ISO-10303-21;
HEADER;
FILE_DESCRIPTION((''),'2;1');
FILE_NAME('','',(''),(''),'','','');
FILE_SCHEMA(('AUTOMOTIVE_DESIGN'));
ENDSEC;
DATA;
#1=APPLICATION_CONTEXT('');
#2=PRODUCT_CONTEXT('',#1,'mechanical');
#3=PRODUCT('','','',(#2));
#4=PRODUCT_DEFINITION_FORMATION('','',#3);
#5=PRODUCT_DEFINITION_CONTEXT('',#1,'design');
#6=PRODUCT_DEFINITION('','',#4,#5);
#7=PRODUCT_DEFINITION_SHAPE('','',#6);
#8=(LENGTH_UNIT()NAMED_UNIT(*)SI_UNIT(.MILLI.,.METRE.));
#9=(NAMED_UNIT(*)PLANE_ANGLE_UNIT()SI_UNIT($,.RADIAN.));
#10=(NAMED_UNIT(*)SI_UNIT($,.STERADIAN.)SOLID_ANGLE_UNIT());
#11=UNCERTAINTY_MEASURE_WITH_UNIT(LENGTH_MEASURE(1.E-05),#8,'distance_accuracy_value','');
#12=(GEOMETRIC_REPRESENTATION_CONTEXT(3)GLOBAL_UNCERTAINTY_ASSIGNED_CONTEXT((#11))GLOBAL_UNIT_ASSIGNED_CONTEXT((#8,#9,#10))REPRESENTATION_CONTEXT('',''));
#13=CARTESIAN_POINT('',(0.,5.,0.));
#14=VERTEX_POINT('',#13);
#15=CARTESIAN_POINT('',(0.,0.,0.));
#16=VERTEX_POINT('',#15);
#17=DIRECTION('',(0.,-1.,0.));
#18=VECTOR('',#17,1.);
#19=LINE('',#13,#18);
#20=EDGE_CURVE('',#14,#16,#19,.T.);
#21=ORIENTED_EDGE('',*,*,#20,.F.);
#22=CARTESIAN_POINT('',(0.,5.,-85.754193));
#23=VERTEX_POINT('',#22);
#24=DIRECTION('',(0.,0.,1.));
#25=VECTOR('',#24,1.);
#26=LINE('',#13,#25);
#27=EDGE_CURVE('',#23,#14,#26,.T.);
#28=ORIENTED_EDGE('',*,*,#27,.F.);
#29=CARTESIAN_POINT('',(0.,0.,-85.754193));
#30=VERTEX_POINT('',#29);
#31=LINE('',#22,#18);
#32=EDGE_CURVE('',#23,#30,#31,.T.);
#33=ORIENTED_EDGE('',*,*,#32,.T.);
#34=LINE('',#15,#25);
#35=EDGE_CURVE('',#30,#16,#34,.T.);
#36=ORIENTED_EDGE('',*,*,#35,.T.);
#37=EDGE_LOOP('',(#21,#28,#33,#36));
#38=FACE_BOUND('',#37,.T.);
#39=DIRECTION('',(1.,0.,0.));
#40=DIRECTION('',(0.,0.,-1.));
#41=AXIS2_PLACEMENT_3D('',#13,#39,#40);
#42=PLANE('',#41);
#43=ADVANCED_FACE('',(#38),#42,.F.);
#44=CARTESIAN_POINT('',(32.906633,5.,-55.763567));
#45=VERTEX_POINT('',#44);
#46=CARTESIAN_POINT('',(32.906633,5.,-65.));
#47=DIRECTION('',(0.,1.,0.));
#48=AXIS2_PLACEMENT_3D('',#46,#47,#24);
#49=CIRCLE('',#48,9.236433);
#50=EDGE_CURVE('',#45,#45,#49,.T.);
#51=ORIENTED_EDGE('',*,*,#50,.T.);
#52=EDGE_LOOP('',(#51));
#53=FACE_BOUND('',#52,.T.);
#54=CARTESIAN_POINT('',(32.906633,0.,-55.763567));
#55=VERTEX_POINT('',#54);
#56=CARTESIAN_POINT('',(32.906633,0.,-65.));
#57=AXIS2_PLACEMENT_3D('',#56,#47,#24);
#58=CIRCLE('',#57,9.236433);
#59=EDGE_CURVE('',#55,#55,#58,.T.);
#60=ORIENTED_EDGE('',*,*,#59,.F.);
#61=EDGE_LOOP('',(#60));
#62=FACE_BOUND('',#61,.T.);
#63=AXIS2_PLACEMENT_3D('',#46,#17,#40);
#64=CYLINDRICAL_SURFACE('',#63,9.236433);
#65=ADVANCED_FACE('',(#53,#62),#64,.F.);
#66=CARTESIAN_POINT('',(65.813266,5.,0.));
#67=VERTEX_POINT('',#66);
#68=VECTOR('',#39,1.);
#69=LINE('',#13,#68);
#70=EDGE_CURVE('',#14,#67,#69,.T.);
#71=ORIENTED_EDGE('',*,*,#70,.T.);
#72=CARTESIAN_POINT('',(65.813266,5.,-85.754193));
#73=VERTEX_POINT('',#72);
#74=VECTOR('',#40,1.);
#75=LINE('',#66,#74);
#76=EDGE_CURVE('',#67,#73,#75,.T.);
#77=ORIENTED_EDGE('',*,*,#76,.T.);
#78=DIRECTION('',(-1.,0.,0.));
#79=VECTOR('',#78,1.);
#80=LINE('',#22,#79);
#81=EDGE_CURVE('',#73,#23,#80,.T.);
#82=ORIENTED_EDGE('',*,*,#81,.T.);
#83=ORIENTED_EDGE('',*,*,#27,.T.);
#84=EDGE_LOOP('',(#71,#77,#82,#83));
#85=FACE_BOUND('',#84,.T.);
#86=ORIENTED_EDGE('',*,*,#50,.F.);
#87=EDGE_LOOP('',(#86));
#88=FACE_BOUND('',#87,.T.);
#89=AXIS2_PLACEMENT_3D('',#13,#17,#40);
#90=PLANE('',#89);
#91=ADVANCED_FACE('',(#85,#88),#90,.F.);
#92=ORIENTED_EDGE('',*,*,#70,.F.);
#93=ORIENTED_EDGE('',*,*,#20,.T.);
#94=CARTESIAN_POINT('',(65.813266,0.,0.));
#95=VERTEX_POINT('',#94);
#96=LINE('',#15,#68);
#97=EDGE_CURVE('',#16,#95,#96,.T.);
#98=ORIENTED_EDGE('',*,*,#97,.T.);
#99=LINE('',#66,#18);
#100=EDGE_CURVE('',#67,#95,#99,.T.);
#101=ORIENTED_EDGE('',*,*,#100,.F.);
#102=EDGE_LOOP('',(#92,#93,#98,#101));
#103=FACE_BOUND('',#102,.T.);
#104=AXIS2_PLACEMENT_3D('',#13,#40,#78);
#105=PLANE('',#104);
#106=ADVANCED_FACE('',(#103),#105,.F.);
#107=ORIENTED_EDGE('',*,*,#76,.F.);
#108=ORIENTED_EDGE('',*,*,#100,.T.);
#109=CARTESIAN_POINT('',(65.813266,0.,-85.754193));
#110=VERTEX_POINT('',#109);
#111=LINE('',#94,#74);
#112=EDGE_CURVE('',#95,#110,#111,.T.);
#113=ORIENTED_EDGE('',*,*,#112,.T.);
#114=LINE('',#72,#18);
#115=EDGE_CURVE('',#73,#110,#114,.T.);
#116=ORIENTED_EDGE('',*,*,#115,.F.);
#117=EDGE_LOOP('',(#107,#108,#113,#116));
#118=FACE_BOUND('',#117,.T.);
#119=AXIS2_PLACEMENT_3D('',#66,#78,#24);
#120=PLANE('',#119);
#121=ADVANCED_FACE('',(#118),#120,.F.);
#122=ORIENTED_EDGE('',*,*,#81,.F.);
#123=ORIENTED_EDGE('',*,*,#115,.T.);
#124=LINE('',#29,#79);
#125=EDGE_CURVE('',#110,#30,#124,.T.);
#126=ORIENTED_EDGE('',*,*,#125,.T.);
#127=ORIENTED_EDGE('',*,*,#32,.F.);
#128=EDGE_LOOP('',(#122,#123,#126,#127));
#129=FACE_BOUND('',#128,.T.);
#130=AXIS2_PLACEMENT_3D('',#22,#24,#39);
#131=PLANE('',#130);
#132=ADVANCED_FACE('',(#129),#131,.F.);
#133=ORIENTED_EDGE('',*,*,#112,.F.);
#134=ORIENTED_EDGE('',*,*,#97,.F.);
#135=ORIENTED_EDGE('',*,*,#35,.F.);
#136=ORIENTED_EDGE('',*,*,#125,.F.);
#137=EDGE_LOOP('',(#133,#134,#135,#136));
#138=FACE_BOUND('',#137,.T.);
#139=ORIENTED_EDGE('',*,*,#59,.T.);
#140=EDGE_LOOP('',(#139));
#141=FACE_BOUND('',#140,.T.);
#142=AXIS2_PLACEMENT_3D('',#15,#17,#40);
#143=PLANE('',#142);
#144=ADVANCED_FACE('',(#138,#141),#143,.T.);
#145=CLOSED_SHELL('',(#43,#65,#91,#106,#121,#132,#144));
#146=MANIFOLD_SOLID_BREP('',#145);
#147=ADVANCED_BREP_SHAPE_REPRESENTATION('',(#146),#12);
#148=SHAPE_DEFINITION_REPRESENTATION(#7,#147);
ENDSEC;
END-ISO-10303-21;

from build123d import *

# Parameters (mm, degrees)
SKETCH1_W           = 65.813265526
SKETCH1_H           = 85.754192612
SKETCH1_R           = 9.23643322
BOSS_EXTRUDE1_DEPTH = 5


with BuildPart() as part:
    # Sketch1 → Boss-Extrude1 (new body)
    with BuildSketch(Plane(origin=(0, 0, 0), x_dir=(1, 0, 0), z_dir=(0, 1, 0))):
        with Locations((32.906632763, 42.877096306)):
            Rectangle(SKETCH1_W, SKETCH1_H)
        with Locations(Location((32.906632763, 65, 0), (0, 0, 270))):
            Circle(SKETCH1_R, mode=Mode.SUBTRACT)
    extrude(amount=BOSS_EXTRUDE1_DEPTH)


solid = part.part
